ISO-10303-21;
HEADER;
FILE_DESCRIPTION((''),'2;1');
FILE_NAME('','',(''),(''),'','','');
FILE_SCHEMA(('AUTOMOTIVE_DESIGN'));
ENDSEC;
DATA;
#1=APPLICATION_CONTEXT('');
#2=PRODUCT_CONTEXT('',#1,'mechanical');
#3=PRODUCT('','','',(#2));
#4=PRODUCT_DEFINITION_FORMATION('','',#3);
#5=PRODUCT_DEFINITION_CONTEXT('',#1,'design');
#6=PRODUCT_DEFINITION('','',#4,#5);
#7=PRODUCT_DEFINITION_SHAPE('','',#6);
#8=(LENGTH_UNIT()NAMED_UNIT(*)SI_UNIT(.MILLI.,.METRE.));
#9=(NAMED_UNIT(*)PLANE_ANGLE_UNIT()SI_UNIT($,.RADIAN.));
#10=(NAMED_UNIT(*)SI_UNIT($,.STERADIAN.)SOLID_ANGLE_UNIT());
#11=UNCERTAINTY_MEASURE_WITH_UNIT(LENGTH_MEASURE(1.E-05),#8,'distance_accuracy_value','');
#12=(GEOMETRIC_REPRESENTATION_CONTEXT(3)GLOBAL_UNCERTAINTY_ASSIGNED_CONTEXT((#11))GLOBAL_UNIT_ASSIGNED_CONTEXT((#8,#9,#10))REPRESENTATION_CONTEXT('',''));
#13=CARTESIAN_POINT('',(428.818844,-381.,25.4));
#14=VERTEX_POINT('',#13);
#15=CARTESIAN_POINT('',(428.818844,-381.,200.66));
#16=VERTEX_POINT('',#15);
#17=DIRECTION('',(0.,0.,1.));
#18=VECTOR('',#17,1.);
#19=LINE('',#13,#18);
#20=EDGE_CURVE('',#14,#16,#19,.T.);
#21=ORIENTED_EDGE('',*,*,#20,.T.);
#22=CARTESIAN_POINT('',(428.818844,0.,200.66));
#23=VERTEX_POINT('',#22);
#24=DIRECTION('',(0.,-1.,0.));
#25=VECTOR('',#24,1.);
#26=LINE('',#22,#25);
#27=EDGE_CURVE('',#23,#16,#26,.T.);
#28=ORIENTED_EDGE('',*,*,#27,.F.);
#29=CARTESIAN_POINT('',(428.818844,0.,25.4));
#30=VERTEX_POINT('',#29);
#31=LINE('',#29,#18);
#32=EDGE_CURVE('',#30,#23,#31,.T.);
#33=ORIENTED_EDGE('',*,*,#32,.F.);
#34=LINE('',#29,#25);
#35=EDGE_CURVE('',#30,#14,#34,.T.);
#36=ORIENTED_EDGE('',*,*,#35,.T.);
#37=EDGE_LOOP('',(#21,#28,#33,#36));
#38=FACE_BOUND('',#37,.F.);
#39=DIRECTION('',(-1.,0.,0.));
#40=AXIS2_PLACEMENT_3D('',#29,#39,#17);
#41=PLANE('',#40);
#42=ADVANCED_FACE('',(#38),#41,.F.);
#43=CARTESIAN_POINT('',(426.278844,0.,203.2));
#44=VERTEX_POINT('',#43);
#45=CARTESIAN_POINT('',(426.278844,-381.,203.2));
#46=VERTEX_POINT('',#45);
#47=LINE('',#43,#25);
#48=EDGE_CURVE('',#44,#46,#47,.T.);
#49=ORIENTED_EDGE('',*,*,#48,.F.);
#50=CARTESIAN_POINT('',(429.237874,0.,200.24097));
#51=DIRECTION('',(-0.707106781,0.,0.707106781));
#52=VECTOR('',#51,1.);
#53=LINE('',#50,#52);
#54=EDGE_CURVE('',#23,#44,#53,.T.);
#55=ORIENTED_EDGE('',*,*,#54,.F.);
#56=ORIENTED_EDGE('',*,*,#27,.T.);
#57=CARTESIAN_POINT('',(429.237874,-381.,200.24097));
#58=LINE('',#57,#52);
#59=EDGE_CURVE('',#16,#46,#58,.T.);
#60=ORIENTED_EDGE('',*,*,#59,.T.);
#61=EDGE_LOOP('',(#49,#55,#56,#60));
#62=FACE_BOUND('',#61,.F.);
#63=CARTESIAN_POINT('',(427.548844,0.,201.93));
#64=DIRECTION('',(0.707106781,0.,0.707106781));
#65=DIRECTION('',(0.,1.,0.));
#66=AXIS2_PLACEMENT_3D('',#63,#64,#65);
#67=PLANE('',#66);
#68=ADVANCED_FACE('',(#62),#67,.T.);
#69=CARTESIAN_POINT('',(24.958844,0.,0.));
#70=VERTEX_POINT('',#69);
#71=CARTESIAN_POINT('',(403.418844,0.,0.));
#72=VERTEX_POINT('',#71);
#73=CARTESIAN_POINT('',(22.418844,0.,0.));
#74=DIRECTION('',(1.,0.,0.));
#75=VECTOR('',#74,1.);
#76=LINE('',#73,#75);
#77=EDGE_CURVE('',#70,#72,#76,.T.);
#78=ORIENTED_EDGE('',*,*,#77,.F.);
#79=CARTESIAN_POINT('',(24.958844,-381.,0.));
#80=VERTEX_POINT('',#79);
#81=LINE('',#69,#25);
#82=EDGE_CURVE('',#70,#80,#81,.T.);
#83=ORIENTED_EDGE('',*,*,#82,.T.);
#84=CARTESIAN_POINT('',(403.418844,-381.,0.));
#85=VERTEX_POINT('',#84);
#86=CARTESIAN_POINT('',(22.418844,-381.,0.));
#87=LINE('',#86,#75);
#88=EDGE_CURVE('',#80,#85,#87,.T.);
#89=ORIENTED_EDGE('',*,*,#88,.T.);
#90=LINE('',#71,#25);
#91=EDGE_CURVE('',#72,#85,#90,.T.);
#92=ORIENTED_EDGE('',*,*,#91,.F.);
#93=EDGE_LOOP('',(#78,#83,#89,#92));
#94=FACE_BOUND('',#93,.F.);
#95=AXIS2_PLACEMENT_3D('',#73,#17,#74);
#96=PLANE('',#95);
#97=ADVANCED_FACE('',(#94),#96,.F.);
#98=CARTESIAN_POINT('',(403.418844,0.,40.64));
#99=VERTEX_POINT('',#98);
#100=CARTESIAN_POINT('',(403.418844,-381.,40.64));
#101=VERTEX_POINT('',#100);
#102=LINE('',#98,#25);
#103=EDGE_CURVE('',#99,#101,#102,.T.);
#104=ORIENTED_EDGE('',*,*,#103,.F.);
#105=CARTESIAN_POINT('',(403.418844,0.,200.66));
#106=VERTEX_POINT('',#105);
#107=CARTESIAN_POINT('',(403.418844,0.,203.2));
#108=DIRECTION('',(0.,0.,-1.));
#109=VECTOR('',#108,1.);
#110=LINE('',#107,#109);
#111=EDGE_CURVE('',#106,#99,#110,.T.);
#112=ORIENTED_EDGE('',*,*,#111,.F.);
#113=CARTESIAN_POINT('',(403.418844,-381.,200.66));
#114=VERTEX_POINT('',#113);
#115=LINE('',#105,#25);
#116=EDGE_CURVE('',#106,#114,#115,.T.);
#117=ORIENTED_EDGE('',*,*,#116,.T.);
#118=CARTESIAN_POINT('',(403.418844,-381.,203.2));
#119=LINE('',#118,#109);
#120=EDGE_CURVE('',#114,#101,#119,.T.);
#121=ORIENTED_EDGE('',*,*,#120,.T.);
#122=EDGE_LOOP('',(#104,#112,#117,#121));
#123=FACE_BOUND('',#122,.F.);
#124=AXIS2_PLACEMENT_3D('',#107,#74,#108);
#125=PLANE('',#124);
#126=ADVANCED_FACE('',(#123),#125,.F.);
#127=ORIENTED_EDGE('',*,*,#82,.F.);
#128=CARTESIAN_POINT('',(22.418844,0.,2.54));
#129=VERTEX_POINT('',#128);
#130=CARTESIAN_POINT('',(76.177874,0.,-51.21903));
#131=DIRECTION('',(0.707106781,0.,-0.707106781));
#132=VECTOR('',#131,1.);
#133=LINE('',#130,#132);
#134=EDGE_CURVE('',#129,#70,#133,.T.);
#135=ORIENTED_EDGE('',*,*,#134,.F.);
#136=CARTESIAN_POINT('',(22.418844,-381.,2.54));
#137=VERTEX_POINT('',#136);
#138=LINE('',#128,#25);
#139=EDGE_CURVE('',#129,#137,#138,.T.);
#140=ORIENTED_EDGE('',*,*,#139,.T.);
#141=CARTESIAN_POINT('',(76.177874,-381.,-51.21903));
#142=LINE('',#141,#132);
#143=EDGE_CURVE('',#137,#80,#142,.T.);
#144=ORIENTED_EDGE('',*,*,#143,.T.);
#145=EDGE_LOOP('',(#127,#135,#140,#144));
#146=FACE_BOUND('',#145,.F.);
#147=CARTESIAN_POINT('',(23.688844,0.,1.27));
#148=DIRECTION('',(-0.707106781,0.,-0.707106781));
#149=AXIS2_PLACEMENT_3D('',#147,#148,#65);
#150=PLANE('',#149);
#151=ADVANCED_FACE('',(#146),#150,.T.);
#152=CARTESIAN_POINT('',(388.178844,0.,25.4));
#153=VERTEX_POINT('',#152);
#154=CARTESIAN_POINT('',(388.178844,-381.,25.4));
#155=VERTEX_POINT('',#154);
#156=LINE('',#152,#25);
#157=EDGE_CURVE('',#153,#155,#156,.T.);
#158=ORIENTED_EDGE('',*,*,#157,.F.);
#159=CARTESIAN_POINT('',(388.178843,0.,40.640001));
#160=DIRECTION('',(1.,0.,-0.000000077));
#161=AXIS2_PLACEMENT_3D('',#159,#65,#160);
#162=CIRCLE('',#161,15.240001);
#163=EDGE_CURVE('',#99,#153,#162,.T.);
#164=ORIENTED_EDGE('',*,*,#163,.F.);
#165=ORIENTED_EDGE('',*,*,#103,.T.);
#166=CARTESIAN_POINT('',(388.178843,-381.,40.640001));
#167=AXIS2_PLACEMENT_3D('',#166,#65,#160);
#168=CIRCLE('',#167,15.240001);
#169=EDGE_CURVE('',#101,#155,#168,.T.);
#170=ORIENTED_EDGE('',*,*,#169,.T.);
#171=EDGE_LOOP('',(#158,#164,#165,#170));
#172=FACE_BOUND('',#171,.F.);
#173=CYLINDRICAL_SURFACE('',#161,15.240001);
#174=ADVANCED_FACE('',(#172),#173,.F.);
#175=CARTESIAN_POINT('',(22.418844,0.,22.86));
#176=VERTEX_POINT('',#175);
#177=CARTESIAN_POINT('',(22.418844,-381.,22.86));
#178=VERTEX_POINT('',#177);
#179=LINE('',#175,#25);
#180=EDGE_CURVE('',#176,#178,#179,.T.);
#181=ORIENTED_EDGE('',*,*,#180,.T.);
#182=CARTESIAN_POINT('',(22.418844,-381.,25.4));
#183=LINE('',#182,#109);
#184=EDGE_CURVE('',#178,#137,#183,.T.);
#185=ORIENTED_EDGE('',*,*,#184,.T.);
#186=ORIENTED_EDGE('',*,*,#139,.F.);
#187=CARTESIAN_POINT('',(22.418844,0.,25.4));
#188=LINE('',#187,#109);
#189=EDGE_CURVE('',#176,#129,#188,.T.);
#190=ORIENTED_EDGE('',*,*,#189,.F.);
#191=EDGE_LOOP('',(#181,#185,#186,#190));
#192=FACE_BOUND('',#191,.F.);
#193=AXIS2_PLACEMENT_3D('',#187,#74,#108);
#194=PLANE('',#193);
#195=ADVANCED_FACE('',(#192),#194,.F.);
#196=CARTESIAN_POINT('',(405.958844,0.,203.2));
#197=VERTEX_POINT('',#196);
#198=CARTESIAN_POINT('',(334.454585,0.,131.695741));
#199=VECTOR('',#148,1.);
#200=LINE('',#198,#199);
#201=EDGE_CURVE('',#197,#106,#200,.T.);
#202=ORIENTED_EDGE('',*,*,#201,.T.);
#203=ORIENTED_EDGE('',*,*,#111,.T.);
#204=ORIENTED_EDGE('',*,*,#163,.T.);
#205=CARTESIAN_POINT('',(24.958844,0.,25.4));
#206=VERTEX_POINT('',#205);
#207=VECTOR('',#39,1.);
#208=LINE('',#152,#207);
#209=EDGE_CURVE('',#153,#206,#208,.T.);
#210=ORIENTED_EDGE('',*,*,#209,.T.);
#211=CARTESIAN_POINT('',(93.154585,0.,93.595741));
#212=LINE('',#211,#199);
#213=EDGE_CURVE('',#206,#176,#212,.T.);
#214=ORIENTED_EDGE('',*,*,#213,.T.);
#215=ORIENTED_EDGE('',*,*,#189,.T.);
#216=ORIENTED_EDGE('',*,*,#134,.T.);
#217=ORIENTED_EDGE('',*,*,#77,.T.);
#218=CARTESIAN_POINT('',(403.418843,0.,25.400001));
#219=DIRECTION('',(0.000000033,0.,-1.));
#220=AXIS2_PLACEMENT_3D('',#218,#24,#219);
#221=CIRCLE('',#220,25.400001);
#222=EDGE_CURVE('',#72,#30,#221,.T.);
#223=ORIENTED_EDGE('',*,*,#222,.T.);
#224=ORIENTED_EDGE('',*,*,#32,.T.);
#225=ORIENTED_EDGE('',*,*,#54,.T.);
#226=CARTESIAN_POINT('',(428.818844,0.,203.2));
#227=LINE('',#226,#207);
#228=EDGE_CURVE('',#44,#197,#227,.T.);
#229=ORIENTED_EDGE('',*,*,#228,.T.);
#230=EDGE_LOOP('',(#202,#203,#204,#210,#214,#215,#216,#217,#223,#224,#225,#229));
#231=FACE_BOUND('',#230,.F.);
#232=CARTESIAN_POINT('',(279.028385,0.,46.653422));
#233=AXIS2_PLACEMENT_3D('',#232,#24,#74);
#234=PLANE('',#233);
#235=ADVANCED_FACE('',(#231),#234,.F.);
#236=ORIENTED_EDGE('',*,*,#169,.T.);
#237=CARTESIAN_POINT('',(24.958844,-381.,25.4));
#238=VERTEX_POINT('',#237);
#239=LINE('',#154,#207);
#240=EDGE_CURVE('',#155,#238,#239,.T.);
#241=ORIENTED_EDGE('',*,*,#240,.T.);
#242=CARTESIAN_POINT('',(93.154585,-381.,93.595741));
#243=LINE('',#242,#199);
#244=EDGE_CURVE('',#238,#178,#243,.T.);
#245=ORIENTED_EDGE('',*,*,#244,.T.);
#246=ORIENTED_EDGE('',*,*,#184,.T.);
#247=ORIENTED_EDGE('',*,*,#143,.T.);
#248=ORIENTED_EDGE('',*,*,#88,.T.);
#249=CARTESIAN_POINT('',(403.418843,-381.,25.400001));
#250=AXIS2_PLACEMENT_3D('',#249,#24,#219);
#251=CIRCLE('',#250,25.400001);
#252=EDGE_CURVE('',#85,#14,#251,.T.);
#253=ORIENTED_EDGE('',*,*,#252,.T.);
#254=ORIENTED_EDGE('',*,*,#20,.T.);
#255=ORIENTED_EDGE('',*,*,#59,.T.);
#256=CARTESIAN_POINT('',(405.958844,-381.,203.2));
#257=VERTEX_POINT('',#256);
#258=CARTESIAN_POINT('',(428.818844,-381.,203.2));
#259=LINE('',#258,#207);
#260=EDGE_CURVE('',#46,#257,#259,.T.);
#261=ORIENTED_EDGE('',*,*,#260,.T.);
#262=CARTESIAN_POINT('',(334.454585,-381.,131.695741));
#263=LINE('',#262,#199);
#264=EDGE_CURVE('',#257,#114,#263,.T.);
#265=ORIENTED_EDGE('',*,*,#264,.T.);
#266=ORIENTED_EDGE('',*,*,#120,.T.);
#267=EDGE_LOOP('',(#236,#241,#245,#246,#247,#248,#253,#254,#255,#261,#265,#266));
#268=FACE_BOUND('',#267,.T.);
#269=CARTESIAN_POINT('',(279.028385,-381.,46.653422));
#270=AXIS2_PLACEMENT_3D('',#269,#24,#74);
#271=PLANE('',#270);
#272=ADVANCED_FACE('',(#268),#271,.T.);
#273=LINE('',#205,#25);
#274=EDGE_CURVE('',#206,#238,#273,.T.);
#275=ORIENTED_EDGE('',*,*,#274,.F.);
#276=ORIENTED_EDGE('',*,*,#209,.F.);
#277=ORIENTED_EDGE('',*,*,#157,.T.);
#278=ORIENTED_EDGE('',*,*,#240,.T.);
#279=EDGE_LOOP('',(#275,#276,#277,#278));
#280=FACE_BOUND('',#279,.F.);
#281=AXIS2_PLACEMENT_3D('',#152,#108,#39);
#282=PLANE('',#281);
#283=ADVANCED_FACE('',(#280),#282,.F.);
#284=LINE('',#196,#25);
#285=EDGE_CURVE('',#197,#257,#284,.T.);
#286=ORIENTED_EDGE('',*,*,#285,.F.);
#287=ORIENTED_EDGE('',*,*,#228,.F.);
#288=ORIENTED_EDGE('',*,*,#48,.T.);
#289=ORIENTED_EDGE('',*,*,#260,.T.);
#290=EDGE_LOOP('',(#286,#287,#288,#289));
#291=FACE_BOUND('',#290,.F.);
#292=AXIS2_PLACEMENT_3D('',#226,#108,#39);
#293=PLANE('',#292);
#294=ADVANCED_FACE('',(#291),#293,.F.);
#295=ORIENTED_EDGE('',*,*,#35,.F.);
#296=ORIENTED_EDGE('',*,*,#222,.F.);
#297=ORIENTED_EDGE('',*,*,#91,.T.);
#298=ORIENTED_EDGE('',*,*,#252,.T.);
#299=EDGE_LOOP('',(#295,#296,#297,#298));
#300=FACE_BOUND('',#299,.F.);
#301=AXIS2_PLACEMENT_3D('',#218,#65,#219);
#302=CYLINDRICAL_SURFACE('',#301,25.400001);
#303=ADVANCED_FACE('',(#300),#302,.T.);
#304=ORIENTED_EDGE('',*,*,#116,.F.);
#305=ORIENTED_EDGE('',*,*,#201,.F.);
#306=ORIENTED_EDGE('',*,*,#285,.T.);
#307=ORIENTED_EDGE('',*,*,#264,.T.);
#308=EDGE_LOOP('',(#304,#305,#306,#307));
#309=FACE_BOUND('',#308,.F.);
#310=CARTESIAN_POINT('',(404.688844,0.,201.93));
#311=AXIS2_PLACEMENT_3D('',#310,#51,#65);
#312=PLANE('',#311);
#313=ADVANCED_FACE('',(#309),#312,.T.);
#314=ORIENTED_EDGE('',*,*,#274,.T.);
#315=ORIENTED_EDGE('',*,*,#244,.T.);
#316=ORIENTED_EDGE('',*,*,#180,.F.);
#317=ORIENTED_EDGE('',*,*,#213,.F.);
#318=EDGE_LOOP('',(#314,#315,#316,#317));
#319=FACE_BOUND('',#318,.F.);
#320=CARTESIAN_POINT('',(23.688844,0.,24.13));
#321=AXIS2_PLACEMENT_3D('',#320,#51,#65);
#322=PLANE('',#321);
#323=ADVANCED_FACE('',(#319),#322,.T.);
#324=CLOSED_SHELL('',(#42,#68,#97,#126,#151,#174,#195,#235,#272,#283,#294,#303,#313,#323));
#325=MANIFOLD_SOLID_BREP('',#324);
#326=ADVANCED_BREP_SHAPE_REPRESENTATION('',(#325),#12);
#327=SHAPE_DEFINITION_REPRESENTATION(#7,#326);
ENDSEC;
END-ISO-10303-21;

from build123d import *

# Parameters (mm, degrees)
F1_DEPTH = 381
F2_SIZE  = 2.54


with BuildPart() as f1:
    # F0 (on Front) → F1 (new body)
    with BuildSketch(Plane.XZ):
        with BuildLine():
            Line((388.178844, 25.4), (22.418844, 25.4))
            Line((22.418844, 25.4), (22.418844, 0))
            Line((22.418844, 0), (403.418844, 0))
            ThreePointArc((403.418844, 0), (421.379356, 7.439488), (428.818844, 25.4))
            Line((428.818844, 25.4), (428.818844, 203.2))
            Line((428.818844, 203.2), (403.418844, 203.2))
            Line((403.418844, 203.2), (403.418844, 40.64))
            ThreePointArc((403.418844, 40.64), (398.955151, 29.863693), (388.178844, 25.4))
        make_face()
    extrude(amount=F1_DEPTH)

    # F2
    f2_edges = [f1.edges().sort_by_distance(p)[0] for p in [
        (22.418844, -190.5, 0),
        (22.418844, -190.5, 25.4),
        (428.818844, -190.5, 203.2),
        (403.418844, -190.5, 203.2),
    ]]
    chamfer(f2_edges, length=F2_SIZE)


solid = f1.part
